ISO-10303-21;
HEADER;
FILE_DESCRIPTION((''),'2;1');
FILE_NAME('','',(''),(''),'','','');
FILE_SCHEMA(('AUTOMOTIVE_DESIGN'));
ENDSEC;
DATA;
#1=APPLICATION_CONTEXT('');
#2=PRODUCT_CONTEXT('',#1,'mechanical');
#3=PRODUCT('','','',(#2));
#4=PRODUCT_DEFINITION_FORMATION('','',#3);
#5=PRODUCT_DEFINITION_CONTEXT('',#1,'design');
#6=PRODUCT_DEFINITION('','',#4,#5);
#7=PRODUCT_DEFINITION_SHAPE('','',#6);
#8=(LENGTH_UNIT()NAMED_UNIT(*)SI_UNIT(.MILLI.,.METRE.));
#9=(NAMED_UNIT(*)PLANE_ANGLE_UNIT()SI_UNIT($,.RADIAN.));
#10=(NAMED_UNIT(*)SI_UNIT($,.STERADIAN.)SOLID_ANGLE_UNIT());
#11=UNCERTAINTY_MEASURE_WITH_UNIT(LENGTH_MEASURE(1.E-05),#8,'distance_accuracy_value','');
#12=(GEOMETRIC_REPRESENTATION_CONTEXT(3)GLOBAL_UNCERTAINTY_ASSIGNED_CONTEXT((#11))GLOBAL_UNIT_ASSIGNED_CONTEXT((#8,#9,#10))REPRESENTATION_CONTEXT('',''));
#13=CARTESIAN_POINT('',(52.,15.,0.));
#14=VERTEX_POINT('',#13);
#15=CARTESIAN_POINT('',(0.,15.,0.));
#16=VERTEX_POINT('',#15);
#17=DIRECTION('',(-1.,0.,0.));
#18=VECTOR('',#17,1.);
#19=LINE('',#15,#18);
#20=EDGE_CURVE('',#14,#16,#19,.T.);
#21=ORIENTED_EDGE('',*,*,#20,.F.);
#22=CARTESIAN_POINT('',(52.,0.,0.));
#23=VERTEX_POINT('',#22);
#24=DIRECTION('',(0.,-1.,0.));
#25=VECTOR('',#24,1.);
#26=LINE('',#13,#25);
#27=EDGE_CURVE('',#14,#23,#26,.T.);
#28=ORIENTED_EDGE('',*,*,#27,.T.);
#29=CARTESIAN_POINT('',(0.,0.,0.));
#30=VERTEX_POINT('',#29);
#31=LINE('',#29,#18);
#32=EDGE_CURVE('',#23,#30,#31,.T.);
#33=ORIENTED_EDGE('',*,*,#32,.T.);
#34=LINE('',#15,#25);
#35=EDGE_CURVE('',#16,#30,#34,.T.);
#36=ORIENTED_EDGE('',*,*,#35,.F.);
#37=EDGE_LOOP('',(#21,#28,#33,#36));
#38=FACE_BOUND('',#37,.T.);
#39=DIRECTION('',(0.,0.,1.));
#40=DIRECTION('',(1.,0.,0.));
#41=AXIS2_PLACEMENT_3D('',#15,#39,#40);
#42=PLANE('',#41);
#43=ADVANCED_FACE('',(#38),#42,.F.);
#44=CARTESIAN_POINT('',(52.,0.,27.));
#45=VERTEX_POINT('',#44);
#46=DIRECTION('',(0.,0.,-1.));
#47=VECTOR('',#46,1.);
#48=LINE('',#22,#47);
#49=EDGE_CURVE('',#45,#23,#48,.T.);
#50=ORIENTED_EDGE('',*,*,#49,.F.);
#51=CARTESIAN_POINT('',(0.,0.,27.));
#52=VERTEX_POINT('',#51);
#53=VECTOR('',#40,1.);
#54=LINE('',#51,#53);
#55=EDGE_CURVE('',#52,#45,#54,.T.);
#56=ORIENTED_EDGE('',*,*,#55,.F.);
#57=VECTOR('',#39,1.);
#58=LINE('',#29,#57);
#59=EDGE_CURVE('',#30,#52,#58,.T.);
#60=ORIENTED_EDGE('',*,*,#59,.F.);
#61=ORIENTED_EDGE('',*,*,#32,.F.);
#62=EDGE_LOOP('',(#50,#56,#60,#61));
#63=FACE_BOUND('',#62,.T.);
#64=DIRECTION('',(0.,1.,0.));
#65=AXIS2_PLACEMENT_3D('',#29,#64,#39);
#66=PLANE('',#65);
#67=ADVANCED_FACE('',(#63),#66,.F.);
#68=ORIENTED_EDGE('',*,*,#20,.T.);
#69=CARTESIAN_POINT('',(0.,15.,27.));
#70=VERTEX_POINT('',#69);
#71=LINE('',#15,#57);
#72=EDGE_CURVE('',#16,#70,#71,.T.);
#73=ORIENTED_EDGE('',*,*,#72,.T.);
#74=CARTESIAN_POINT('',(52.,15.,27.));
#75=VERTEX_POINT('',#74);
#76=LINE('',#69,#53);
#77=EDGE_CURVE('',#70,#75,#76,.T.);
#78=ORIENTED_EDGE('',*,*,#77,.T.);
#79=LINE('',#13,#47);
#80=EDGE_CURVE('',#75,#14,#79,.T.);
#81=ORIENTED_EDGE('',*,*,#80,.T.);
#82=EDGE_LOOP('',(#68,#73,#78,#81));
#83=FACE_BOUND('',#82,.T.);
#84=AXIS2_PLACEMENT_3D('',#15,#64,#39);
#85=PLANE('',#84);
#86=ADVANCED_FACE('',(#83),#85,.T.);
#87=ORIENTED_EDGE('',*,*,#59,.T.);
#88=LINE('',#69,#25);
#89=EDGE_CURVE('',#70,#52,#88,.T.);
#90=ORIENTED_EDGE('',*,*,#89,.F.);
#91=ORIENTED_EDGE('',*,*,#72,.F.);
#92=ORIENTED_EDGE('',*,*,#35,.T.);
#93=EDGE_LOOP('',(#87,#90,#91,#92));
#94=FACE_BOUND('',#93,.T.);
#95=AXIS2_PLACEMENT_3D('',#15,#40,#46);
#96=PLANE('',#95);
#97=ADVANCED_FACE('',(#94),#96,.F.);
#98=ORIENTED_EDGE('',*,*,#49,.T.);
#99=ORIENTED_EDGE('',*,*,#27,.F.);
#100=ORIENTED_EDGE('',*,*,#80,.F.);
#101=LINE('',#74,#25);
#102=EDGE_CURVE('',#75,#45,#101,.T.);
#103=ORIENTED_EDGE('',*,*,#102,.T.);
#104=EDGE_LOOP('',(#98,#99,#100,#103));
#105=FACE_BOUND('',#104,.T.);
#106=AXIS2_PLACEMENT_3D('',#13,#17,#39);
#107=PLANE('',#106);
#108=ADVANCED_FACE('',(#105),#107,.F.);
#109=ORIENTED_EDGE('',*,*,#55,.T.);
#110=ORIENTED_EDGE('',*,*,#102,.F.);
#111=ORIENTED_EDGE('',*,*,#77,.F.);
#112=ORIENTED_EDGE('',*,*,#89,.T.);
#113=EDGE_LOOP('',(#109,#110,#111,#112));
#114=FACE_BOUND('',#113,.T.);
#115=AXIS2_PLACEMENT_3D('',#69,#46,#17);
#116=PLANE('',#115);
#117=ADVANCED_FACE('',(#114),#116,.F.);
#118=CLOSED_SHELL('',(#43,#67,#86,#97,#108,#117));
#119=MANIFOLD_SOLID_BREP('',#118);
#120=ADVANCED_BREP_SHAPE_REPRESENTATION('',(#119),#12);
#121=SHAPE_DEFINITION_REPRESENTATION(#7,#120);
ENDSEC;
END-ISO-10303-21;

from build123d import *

# Parameters (mm, degrees)
SKETCH_1_W      = 52
SKETCH_1_H      = 27
EXTRUDE_1_DEPTH = 15


with BuildPart() as part:
    # 草图1 → 凸台-拉伸1 (new body)
    with BuildSketch(Plane(origin=(0, 0, 0), x_dir=(1, 0, 0), z_dir=(0, 1, 0))):
        with Locations((26, -13.5)):
            Rectangle(SKETCH_1_W, SKETCH_1_H)
    extrude(amount=EXTRUDE_1_DEPTH)


solid = part.part
